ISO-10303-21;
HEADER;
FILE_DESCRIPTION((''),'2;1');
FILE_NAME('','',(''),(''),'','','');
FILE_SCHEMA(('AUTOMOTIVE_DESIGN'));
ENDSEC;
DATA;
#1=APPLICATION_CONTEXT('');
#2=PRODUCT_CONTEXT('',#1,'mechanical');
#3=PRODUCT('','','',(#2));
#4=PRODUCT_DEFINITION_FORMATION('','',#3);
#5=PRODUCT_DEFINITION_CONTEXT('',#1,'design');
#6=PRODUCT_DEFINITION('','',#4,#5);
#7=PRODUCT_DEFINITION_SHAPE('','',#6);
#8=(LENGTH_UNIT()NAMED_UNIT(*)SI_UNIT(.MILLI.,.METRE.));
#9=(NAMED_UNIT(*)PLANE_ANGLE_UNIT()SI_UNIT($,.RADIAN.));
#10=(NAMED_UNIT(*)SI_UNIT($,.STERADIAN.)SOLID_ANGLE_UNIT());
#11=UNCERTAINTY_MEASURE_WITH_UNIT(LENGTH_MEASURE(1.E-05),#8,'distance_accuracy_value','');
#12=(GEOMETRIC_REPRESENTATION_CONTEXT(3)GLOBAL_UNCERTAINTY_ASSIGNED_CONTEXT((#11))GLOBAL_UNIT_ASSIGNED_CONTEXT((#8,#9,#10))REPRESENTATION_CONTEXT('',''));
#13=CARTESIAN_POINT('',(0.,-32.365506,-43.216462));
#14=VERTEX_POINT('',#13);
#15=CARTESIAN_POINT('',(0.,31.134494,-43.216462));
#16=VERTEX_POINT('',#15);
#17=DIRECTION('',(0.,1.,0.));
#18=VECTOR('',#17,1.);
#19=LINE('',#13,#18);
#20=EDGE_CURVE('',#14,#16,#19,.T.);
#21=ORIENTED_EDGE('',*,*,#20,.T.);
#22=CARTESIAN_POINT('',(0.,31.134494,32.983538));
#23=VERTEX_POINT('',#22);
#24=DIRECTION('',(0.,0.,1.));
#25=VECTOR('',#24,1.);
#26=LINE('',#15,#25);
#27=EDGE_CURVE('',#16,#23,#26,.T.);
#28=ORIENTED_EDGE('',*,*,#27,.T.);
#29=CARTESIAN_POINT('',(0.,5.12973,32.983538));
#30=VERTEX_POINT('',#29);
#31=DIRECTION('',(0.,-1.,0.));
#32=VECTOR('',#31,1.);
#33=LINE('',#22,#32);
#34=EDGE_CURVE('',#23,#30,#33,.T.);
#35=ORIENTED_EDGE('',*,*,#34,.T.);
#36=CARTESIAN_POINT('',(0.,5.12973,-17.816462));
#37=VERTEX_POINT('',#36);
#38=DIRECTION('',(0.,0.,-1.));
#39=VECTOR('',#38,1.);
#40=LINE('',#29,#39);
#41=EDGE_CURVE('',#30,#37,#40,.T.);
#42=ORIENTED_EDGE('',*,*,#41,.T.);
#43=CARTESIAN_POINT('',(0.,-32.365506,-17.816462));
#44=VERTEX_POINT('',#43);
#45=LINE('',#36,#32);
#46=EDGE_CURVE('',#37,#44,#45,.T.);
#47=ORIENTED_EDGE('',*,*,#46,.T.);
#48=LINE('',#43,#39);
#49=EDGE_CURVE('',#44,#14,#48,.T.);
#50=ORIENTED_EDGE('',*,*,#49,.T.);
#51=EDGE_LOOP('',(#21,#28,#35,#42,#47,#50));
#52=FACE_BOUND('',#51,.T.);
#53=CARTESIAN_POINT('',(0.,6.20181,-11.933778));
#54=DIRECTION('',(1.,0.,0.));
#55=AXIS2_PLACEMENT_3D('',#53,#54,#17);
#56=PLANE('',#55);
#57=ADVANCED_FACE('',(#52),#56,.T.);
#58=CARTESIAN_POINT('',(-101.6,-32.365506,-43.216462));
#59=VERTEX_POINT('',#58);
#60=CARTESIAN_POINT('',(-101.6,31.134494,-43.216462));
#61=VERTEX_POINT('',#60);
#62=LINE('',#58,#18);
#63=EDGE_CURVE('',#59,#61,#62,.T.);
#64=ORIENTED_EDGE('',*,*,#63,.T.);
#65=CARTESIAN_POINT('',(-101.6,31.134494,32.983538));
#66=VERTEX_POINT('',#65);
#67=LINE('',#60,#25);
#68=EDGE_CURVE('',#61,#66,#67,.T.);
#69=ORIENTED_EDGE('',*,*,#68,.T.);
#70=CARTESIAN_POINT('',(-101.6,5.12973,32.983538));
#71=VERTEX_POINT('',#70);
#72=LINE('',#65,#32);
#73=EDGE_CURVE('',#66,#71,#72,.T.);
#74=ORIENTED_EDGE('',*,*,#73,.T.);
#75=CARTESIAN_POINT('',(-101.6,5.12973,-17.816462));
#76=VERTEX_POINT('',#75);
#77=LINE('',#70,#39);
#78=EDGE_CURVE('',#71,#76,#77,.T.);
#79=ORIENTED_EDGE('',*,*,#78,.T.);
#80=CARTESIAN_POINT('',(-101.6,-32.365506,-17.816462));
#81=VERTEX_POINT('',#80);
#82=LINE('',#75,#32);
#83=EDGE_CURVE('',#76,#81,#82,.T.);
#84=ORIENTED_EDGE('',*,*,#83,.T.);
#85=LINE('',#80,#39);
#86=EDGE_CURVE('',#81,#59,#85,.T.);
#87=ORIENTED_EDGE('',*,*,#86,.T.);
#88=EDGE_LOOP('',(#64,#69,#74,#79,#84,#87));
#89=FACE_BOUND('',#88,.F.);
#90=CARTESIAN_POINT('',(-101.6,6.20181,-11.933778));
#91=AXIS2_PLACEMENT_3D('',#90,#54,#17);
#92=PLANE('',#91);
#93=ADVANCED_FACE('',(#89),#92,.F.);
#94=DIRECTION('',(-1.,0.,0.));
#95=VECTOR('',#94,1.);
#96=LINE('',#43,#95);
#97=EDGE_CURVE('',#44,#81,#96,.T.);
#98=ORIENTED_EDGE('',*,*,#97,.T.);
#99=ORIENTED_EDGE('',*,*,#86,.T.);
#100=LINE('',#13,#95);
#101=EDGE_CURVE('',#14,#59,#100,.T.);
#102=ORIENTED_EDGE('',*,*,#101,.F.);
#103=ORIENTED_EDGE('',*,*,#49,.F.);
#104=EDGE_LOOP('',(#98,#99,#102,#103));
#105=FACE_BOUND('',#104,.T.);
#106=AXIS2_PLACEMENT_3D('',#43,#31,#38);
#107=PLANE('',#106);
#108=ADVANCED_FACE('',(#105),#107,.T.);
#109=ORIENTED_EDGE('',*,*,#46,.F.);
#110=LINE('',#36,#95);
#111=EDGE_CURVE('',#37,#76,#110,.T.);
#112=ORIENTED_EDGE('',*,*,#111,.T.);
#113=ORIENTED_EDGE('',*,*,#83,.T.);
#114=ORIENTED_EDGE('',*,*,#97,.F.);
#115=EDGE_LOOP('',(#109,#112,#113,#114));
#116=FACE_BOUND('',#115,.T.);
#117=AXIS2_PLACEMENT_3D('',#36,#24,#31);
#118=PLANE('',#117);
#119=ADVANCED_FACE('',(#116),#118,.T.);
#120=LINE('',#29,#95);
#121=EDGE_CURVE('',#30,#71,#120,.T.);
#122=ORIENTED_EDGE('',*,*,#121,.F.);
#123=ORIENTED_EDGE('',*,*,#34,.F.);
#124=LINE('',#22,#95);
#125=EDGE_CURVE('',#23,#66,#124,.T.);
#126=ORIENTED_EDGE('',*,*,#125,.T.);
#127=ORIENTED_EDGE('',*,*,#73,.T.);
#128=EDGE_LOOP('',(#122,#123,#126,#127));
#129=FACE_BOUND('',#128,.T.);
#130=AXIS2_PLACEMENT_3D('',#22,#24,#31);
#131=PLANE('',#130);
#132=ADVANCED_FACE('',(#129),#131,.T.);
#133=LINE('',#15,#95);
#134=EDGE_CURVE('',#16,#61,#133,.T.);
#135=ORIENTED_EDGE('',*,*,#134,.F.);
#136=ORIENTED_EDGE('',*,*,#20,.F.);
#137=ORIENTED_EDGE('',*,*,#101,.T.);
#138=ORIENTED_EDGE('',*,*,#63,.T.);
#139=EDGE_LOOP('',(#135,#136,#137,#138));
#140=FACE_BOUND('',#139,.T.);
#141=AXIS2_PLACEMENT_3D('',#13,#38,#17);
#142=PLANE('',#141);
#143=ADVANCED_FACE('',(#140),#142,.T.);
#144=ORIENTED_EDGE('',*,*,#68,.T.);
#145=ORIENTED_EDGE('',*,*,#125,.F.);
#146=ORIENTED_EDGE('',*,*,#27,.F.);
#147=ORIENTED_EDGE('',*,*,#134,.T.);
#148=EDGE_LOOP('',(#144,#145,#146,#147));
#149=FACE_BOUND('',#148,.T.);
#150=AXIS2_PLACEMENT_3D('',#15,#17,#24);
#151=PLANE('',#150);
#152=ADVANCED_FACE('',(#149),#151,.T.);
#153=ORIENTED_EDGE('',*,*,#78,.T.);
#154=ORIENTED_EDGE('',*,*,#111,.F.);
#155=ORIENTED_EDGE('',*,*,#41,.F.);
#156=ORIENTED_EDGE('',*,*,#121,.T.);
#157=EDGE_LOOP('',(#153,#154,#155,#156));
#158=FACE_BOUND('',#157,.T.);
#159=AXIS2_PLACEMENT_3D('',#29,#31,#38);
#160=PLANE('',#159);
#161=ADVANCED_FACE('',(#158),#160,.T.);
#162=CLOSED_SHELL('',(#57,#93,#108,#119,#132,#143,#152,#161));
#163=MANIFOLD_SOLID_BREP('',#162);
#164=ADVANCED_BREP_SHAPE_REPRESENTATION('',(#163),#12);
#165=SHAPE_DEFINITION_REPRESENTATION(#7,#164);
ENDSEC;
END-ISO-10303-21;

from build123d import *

# Parameters (mm, degrees)
F1_DEPTH = 101.6
F2_W     = 50.8
F2_H     = 32.983538
F3_DEPTH = 25.4


with BuildPart() as f1:
    # F0 (on Right) → F1 (new body)
    with BuildSketch(Plane.YZ):
        Polygon((-32.365506, -17.816462), (-32.365506, -43.216462), (31.134494, -43.216462), (31.134494, 32.983538), (5.12973, 32.983538), (5.12973, -17.816462), align=None)
    extrude(amount=-F1_DEPTH)

    # F2 (on face) → F3 (join)
    with BuildSketch(Plane.XZ.offset(-5.12973)):
        with Locations((-51.069593, 16.491769)):
            Rectangle(F2_W, F2_H)
    extrude(amount=-F3_DEPTH)


solid = f1.part
